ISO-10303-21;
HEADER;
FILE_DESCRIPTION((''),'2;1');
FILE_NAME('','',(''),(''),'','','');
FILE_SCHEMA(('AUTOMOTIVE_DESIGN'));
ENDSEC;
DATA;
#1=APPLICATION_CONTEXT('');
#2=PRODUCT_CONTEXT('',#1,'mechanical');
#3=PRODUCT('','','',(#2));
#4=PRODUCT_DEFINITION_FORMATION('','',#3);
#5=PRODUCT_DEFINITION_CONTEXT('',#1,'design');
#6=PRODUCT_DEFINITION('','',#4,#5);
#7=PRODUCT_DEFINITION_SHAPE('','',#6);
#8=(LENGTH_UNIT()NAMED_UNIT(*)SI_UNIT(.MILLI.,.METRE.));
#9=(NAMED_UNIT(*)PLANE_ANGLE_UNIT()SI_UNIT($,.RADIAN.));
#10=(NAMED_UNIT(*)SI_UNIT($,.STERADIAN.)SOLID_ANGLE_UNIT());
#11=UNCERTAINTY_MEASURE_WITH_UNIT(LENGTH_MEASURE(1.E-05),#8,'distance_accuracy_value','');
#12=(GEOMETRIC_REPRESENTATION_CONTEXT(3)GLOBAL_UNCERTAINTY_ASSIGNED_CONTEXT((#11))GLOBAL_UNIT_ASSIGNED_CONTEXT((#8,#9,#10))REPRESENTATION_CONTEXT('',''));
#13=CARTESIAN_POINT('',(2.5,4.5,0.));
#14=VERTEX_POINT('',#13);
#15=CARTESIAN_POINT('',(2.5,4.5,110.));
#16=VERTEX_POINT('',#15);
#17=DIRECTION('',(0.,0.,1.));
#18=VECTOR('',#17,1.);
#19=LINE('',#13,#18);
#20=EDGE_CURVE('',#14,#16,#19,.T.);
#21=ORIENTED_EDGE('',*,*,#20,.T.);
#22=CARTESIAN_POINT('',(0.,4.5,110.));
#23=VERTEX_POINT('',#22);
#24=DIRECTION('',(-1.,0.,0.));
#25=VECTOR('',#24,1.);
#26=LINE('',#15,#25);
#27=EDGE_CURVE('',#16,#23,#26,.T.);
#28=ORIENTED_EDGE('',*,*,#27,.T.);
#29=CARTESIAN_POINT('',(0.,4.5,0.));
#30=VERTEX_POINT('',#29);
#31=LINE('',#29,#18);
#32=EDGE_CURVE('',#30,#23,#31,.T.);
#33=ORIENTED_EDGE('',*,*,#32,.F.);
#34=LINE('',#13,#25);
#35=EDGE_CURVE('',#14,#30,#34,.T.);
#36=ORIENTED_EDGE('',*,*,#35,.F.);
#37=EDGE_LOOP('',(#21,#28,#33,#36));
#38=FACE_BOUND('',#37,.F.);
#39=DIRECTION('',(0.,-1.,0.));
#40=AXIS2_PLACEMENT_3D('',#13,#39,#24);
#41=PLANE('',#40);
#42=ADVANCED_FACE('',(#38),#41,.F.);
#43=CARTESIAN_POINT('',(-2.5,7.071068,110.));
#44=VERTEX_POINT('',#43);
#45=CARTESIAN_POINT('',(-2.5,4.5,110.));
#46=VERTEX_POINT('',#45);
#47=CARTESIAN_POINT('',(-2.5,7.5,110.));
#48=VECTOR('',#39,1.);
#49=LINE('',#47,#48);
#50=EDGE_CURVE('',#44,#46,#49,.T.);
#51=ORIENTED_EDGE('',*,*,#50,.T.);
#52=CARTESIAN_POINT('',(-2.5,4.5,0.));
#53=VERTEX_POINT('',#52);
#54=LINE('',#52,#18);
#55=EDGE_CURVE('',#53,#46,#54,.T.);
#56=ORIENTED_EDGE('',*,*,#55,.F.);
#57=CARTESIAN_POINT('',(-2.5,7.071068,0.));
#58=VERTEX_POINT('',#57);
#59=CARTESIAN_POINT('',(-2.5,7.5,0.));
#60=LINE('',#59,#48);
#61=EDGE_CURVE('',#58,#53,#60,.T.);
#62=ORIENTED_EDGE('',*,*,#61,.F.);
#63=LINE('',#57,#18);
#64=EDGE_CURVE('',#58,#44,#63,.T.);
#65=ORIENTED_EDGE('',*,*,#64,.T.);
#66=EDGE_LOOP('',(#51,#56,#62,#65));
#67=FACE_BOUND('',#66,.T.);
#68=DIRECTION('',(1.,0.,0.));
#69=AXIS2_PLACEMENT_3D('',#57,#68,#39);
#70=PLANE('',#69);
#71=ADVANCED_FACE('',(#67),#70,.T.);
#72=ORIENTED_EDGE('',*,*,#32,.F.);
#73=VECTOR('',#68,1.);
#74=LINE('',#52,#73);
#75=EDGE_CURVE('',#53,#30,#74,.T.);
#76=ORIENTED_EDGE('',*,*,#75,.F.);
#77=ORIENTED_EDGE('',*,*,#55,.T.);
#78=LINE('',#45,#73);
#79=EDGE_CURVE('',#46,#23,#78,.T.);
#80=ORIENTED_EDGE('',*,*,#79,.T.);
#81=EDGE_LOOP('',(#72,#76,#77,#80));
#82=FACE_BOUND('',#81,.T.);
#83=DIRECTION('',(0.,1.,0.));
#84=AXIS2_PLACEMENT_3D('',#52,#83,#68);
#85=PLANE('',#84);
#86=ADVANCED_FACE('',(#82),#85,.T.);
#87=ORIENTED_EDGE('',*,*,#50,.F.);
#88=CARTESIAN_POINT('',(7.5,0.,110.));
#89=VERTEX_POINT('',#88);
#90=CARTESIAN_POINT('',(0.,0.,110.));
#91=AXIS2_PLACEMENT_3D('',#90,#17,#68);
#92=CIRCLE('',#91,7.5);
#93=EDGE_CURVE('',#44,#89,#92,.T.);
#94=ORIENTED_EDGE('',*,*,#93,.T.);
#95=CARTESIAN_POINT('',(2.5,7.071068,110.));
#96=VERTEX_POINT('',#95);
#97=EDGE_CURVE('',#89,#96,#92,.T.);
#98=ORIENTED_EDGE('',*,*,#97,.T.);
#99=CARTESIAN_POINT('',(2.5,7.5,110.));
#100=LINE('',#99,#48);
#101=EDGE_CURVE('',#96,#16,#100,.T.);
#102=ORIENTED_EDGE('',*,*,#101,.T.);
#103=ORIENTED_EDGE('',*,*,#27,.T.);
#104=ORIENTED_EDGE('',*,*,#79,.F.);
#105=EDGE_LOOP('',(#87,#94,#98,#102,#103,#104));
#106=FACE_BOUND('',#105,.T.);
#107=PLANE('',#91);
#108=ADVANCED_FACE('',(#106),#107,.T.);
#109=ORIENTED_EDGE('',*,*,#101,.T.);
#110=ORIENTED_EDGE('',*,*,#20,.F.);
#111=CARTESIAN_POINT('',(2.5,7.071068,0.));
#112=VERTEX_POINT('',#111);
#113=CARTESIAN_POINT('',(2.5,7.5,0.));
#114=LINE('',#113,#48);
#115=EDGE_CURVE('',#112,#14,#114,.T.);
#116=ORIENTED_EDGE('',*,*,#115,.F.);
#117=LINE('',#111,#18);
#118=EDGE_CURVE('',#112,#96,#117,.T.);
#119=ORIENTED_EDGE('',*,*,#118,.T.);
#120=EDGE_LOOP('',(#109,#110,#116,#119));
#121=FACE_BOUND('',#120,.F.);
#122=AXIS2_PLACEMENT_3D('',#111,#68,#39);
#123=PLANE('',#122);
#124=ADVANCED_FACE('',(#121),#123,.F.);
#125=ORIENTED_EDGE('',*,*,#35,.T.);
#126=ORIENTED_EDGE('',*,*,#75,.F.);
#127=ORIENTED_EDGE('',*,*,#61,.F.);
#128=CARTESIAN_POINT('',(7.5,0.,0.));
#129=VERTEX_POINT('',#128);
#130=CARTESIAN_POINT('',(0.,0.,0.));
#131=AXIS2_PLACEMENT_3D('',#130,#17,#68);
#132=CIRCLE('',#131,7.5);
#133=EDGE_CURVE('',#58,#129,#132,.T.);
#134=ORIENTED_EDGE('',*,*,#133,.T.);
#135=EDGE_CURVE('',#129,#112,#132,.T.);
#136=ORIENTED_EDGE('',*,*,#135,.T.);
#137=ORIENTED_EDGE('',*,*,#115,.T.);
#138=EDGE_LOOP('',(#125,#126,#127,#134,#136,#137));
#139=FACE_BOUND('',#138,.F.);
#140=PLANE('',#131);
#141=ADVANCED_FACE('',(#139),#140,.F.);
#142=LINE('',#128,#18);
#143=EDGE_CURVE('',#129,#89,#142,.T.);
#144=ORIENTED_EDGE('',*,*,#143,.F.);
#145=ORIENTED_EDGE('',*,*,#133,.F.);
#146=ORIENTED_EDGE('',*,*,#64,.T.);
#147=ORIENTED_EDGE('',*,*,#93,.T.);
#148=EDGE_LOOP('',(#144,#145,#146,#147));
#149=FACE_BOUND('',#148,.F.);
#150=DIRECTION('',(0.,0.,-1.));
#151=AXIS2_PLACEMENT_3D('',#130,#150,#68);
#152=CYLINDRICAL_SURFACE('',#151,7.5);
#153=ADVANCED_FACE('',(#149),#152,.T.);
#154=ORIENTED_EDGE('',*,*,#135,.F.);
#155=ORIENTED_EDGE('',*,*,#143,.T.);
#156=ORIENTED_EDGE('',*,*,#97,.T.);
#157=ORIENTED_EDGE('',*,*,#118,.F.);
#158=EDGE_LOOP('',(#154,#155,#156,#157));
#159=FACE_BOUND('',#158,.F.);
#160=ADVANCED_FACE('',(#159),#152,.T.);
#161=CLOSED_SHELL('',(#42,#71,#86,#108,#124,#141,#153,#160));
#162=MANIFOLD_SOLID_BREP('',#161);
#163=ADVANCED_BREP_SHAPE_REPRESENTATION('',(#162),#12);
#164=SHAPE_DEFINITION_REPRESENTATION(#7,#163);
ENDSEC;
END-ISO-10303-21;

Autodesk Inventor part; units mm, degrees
ref_plane "YZ Plane" through (0, 0, 0) normal (1, 0, 0) x (0, 1, 0)
ref_plane "XZ Plane" through (0, 0, 0) normal (0, 1, 0) x (-1, 0, 0)
ref_plane "XY Plane" through (0, 0, 0) normal (0, 0, 1) x (1, 0, 0)
sketch "Sketch1" plane through (0, 0, 0) normal (0, 0, 1) x (1, 0, 0)
  circle A0 centre (0, 0) radius 7.5
  line L0 (0, 7.5) -> (-2.5, 7.5)
  line L1 (-2.5, 7.5) -> (-2.5, 4.5)
  line L2 (-2.5, 4.5) -> (0, 4.5)
  line L3 (0, 4.5) -> (0, 7.5)
  line L4 (0, 7.5) -> (2.5, 7.5)
  line L5 (2.5, 7.5) -> (2.5, 4.5)
  line L6 (2.5, 4.5) -> (0, 4.5)
  point P0 (-2.5, 7.0711)
  point P1 (2.5, 7.0711)
  dimension "d0" = 15
  dimension "d1" = 3
  dimension "d2" = 2.5
extrude "Extrusion1" add sketch "Sketch1" along normal blind 110 contours A0 L1 L2 L6 L5
properties part number "shaft_with_keyway"
